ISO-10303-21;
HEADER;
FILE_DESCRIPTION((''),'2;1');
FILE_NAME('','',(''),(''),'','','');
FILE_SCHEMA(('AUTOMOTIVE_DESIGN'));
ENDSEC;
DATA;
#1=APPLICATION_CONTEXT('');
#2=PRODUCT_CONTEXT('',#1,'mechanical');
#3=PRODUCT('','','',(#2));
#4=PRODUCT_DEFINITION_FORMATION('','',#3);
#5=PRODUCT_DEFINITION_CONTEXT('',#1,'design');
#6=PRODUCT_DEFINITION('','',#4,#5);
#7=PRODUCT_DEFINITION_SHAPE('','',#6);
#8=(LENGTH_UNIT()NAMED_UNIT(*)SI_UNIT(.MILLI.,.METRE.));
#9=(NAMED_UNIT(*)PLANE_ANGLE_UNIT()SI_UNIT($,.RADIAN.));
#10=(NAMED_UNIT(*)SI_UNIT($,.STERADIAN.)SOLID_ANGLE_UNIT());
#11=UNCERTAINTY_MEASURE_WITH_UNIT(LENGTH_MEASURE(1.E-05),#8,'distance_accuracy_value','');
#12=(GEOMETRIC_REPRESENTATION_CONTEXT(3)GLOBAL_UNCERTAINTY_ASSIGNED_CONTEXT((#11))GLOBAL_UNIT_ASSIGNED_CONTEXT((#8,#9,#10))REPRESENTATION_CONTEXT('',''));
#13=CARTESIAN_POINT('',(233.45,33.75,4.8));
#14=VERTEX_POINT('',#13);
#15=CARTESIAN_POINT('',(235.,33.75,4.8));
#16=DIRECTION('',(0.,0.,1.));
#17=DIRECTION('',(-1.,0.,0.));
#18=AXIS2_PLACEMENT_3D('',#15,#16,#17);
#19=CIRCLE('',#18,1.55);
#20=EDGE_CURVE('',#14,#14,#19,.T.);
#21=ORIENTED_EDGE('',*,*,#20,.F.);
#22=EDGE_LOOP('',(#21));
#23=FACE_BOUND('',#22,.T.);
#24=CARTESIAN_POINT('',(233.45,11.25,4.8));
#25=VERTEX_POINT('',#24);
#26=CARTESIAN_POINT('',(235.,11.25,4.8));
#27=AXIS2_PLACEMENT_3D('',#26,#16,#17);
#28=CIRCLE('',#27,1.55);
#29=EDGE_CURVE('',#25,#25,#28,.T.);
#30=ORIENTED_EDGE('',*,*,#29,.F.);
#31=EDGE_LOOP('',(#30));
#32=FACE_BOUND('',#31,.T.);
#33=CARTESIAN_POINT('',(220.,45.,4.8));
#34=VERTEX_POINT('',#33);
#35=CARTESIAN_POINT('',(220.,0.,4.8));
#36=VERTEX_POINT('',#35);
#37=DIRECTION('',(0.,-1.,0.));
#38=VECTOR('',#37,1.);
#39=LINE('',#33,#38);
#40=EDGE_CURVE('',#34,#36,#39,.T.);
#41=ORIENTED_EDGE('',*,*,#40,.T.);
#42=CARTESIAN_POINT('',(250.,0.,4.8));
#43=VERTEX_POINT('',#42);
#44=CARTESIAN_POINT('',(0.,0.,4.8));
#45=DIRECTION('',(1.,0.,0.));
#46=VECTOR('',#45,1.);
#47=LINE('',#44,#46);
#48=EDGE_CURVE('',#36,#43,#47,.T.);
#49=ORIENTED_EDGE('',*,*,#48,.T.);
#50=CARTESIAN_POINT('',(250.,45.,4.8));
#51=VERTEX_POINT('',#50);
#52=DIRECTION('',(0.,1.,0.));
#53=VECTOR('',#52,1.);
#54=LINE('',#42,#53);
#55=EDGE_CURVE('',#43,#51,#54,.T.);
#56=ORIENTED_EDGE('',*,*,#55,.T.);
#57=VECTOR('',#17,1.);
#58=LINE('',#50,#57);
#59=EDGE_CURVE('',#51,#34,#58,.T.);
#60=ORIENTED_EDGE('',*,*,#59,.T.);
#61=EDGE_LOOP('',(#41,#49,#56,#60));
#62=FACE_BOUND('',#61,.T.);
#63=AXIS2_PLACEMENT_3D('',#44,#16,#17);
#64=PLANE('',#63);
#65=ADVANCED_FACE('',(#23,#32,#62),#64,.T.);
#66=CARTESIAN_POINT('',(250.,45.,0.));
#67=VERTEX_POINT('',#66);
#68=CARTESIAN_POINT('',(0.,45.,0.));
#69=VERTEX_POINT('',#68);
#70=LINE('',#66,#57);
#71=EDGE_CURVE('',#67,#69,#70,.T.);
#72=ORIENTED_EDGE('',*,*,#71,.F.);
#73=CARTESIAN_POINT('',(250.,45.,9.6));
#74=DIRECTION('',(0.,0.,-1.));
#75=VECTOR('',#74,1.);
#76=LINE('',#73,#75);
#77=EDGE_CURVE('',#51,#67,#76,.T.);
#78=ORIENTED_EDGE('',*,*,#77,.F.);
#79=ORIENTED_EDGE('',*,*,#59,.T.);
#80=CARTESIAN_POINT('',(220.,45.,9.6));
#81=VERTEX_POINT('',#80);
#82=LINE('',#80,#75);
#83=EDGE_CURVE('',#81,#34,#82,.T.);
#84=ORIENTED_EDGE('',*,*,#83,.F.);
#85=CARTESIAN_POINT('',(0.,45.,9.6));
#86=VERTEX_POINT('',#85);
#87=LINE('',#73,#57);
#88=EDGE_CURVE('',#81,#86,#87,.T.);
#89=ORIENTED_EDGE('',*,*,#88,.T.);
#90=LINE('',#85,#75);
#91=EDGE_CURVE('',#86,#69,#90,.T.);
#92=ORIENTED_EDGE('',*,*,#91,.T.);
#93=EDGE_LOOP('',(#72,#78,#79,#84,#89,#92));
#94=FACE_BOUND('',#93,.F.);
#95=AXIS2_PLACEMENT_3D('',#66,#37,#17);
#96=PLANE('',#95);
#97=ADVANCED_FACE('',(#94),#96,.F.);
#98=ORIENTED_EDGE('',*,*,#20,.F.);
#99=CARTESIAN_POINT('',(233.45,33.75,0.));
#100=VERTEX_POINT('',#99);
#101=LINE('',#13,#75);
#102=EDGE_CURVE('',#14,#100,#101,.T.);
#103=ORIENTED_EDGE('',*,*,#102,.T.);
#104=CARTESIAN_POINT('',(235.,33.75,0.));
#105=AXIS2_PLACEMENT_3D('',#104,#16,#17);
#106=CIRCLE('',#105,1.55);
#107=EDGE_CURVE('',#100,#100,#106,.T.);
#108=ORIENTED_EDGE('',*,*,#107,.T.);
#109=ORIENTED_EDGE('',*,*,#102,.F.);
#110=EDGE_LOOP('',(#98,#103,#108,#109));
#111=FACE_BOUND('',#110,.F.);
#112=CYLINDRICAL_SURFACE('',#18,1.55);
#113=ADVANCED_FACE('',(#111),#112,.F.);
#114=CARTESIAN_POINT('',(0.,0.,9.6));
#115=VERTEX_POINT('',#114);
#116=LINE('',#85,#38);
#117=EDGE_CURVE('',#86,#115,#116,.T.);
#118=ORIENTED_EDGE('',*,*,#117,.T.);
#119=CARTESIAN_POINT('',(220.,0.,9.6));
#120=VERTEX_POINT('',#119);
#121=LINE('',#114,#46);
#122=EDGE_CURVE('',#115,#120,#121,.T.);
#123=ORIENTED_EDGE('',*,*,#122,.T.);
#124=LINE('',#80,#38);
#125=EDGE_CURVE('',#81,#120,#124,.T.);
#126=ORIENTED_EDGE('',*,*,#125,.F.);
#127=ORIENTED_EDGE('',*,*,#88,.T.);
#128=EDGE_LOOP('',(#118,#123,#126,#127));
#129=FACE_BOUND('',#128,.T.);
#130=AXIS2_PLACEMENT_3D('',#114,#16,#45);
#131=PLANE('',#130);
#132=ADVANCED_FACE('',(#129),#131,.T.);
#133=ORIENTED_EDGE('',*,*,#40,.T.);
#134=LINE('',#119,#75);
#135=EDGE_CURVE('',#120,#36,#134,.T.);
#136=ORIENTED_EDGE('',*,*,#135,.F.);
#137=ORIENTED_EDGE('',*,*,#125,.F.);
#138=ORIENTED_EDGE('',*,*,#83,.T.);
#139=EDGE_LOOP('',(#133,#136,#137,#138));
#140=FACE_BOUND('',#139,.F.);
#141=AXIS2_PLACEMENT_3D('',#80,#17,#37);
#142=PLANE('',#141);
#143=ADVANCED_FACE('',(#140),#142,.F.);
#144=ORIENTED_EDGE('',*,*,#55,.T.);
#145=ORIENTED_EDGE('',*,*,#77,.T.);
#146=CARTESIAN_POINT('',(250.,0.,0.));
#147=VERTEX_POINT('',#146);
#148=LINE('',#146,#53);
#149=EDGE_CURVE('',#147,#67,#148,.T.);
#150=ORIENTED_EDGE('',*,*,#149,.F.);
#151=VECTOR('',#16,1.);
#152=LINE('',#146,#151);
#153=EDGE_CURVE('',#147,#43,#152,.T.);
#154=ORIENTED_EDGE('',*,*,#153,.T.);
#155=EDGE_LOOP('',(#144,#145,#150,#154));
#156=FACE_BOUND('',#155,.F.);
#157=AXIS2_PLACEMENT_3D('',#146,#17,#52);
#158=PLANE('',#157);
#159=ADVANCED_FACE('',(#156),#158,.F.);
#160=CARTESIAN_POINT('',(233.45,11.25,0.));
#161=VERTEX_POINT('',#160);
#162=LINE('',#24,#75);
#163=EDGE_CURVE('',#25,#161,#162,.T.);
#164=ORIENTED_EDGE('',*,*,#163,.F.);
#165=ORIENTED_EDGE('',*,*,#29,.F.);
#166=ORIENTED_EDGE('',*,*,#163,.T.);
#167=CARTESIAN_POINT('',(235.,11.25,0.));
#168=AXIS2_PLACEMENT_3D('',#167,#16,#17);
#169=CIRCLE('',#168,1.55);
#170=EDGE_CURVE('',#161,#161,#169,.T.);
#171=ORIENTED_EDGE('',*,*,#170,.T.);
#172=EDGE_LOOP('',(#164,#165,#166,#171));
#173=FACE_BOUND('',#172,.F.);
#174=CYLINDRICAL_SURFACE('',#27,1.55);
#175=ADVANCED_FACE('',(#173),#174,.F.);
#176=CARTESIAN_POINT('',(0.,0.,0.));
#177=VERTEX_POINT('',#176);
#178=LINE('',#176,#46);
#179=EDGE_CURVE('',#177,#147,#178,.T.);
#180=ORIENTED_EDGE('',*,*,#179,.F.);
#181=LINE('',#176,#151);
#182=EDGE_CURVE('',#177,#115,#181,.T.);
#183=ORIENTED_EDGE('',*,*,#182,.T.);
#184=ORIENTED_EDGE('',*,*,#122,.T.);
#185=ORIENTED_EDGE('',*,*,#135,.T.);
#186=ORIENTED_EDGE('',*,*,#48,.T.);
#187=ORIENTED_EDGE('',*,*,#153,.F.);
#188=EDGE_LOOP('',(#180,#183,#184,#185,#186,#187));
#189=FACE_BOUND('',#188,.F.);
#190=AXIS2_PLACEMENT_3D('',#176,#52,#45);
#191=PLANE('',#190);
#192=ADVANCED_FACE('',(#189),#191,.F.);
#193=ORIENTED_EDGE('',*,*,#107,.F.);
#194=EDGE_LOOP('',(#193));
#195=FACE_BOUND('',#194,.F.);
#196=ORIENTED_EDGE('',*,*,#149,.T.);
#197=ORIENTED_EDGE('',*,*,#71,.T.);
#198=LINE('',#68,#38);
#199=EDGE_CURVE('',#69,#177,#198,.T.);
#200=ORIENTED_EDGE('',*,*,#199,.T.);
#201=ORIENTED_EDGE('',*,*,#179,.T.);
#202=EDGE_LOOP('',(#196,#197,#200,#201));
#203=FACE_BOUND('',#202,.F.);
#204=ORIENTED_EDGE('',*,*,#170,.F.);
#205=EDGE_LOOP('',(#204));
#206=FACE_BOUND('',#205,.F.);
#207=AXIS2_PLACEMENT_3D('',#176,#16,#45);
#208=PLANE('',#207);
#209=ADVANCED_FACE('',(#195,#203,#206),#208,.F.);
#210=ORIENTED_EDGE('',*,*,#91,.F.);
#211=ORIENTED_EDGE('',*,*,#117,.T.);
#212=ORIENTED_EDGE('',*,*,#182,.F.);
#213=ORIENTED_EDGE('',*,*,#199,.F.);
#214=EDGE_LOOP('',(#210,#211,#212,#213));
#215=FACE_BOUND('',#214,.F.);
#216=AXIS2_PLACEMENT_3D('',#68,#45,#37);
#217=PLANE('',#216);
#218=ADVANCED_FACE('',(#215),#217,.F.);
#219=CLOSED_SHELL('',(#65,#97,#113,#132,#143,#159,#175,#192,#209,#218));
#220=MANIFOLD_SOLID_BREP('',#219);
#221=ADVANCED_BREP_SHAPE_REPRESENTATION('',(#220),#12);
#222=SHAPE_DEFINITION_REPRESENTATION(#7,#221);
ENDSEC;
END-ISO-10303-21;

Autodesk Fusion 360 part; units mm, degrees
sketch "Sketch1" plane through (0, 0, 0) normal (0, 0, 1) x (1, 0, 0)
  line L0 (0, 0) -> (250, 0)
  line L1 (250, 0) -> (250, 45)
  line L2 (250, 45) -> (0, 45)
  line L3 (0, 45) -> (0, 0)
  dimension "d1" = 250
  dimension "d2" = 45
extrude "Extrude1" add sketch "Sketch1" along normal blind 9.5
extrude "Extrude2" add 1 faces at (83.3333, 30, 9.5) along direction (0, 0, 1) blind 0.1
sketch "Sketch2" plane through (0, 0, 9.6) normal (0, 0, 1) x (-1, 0, 0)
  line L0 (0, -45) -> (0, 0)
  line L1 (0, 0) -> (-250, 0)
  line L2 (-250, 0) -> (-250, -45)
  line L3 (-250, -45) -> (0, -45)
  line L4 (-250, -45) -> (-220, -45)
  line L5 (-220, -45) -> (-220, 0)
  line L6 (-220, 0) -> (-250, 0)
  line L7 (-250, 0) -> (-250, -45)
  dimension "d7" = 30
extrude "Extrude3" cut sketch "Sketch2" against normal blind 4.8 contours L1 L2 L3 L4 L5 L6 L7
sketch "Sketch3" plane through (0, 0, 4.8) normal (0, 0, 1) x (-1, 0, 0)
  line L0 (-250, 0) -> (-250, -45)
  line L1 (-250, -45) -> (-220, -45)
  line L2 (-220, -45) -> (-220, 0)
  line L3 (-220, 0) -> (-250, 0)
  circle A0 centre (-235, -33.75) radius 1.55
  circle A1 centre (-235, -11.25) radius 1.55
  dimension "d10" = 3.1
  dimension "d11" = 3.1
extrude "Extrude4" cut sketch "Sketch3" against normal blind 23 contours A0 | A1
equation "d8 = ( -9.6 / 2 ) * 1 mm"
